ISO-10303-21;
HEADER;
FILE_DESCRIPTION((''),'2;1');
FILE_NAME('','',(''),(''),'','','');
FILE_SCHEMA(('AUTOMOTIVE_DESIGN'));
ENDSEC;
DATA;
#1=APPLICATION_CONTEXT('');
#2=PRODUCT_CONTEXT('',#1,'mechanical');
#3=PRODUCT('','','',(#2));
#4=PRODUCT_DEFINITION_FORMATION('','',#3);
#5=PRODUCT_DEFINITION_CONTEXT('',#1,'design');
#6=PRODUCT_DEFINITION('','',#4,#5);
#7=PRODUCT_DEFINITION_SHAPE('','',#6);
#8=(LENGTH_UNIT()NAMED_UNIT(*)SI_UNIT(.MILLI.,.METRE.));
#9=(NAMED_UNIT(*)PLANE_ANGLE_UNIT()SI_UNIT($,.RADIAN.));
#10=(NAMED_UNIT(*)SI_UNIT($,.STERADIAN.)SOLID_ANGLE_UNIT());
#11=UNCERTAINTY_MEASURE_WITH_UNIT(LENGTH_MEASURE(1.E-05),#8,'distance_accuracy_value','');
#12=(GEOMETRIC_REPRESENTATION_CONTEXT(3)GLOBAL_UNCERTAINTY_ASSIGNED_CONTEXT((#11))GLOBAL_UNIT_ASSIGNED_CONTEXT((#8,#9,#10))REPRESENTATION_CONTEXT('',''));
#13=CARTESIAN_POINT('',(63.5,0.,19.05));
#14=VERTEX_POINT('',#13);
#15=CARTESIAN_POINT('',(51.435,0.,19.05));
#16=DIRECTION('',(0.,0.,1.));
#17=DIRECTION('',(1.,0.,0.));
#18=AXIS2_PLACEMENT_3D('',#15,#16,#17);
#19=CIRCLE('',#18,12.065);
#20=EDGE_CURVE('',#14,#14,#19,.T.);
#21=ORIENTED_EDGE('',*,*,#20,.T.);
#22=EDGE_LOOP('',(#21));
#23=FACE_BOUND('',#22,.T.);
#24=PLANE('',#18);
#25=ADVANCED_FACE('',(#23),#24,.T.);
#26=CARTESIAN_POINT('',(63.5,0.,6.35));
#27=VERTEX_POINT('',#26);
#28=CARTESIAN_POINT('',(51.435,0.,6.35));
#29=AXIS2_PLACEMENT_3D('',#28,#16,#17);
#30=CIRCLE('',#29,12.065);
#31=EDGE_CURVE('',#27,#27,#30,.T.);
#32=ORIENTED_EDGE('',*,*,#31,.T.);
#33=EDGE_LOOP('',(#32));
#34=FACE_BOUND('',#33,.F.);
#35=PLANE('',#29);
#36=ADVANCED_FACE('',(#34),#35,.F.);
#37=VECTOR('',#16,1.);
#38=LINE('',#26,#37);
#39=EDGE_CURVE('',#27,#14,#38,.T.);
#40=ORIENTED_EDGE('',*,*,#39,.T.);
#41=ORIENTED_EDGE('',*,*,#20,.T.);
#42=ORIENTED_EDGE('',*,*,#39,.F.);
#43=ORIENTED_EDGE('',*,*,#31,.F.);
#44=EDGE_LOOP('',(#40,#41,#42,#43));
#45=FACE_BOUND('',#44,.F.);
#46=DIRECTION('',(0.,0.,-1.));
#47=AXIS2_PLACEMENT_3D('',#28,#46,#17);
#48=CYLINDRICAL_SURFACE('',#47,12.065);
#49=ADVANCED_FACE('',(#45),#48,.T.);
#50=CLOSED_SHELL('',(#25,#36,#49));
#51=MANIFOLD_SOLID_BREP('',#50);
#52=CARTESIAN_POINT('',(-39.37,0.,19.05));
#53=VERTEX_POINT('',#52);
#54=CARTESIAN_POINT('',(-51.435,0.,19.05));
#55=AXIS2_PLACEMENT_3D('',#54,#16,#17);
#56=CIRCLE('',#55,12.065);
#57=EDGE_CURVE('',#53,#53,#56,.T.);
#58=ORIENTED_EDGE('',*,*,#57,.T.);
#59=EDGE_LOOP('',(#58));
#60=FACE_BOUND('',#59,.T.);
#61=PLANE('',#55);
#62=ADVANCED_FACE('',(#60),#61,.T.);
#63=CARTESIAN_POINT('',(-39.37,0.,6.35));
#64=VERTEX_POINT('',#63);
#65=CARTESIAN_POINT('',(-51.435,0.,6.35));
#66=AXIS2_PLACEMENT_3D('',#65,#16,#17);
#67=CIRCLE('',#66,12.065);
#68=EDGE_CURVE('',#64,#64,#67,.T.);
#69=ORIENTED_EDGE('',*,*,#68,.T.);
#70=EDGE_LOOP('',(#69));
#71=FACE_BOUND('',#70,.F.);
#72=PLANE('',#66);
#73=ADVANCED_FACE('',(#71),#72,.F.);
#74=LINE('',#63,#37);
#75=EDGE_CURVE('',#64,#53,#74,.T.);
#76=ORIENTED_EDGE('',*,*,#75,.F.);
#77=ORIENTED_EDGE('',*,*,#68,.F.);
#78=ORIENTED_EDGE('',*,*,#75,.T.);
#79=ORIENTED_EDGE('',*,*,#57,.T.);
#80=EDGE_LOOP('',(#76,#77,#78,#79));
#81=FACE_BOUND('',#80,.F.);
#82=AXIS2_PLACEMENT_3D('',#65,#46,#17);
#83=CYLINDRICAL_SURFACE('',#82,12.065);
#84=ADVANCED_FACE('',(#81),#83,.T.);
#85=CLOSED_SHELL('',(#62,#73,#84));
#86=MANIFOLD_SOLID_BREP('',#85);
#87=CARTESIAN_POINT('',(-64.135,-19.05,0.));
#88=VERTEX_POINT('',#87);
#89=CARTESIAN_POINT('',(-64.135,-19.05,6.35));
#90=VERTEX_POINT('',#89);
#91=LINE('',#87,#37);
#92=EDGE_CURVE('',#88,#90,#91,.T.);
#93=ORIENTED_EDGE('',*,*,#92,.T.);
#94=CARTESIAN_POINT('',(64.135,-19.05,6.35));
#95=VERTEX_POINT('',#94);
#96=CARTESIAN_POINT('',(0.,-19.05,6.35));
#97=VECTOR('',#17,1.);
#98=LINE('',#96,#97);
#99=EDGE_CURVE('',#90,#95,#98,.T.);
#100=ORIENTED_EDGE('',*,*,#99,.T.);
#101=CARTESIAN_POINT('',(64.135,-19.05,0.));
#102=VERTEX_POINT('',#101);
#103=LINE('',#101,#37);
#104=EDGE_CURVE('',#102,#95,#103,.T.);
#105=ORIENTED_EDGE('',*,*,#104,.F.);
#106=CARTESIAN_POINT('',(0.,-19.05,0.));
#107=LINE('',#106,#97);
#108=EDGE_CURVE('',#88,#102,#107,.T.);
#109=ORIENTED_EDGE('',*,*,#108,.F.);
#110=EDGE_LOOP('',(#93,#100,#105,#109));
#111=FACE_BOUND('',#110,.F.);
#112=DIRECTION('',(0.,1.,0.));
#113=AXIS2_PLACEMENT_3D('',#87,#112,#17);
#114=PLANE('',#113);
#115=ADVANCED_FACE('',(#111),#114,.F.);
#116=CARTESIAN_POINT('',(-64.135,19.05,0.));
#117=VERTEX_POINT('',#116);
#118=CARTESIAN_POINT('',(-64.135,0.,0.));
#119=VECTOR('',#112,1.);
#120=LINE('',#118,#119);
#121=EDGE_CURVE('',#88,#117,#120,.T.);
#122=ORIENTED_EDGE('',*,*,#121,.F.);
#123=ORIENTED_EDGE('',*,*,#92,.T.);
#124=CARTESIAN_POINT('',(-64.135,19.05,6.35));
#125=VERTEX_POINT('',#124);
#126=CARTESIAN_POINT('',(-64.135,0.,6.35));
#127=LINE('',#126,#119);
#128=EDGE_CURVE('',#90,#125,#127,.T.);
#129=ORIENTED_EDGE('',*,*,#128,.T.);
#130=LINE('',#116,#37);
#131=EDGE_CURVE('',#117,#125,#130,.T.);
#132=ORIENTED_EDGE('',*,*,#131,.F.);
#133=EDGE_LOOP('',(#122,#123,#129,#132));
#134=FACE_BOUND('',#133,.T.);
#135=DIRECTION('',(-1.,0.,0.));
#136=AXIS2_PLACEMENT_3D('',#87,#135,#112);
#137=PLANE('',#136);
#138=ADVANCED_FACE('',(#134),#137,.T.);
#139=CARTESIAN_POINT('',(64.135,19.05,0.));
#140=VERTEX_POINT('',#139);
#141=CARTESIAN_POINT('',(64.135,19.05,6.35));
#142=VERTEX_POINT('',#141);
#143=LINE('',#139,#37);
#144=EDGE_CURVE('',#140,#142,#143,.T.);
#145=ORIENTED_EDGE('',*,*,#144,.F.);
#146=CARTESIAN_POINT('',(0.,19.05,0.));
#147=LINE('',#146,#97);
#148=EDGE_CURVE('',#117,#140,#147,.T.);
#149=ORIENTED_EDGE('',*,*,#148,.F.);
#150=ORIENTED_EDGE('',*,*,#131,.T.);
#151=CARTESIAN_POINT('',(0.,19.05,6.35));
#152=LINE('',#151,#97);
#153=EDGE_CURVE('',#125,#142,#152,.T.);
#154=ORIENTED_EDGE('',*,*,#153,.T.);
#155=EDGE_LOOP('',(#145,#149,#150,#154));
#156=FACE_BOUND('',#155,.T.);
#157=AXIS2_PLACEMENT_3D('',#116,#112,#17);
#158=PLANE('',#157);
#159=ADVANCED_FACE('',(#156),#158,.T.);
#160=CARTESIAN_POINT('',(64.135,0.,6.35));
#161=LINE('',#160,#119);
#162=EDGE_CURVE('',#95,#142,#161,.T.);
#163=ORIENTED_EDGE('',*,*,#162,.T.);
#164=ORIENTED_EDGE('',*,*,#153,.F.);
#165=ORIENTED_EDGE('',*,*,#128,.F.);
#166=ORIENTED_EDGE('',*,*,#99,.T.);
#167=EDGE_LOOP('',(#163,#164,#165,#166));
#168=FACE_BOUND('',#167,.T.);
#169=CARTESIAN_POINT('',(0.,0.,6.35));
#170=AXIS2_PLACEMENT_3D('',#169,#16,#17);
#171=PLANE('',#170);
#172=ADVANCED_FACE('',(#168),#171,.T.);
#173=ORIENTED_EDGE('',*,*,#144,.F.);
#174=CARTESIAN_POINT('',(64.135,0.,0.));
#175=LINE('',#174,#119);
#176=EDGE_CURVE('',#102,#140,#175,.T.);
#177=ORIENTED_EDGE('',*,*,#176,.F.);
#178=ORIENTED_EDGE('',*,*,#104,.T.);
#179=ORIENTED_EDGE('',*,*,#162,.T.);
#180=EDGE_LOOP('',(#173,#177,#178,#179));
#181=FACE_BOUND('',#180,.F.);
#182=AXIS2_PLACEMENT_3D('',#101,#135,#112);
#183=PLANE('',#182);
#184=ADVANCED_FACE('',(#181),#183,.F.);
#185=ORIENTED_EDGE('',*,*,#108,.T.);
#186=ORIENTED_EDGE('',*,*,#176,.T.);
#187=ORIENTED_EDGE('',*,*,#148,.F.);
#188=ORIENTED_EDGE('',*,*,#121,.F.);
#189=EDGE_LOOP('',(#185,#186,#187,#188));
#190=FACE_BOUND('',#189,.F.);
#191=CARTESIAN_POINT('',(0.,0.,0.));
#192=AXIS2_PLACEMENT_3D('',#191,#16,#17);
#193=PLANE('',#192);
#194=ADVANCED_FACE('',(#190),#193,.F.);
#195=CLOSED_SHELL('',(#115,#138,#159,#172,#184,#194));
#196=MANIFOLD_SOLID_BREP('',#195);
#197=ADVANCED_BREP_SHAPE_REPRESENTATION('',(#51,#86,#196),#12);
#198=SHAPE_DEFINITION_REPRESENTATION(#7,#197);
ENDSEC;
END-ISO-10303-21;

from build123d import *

# Parameters (mm, degrees)
F0_W     = 128.27
F0_H     = 38.1
F1_DEPTH = 6.35
F2_R     = 12.065
F3_DEPTH = 12.7


with BuildPart() as f1:
    # F0 (on Top) → F1 (new body)
    with BuildSketch(Plane.XY):
        Rectangle(F0_W, F0_H)
    extrude(amount=F1_DEPTH)


with BuildPart() as f3:
    # F2 (on face) → F3 (new body)
    with BuildSketch(Plane.XY.offset(6.35)):
        with Locations((-51.435, 0)):
            Circle(F2_R)
        with Locations((51.435, 0)):
            Circle(F2_R)
    extrude(amount=F3_DEPTH)


solid = Compound([f1.part, f3.part])
